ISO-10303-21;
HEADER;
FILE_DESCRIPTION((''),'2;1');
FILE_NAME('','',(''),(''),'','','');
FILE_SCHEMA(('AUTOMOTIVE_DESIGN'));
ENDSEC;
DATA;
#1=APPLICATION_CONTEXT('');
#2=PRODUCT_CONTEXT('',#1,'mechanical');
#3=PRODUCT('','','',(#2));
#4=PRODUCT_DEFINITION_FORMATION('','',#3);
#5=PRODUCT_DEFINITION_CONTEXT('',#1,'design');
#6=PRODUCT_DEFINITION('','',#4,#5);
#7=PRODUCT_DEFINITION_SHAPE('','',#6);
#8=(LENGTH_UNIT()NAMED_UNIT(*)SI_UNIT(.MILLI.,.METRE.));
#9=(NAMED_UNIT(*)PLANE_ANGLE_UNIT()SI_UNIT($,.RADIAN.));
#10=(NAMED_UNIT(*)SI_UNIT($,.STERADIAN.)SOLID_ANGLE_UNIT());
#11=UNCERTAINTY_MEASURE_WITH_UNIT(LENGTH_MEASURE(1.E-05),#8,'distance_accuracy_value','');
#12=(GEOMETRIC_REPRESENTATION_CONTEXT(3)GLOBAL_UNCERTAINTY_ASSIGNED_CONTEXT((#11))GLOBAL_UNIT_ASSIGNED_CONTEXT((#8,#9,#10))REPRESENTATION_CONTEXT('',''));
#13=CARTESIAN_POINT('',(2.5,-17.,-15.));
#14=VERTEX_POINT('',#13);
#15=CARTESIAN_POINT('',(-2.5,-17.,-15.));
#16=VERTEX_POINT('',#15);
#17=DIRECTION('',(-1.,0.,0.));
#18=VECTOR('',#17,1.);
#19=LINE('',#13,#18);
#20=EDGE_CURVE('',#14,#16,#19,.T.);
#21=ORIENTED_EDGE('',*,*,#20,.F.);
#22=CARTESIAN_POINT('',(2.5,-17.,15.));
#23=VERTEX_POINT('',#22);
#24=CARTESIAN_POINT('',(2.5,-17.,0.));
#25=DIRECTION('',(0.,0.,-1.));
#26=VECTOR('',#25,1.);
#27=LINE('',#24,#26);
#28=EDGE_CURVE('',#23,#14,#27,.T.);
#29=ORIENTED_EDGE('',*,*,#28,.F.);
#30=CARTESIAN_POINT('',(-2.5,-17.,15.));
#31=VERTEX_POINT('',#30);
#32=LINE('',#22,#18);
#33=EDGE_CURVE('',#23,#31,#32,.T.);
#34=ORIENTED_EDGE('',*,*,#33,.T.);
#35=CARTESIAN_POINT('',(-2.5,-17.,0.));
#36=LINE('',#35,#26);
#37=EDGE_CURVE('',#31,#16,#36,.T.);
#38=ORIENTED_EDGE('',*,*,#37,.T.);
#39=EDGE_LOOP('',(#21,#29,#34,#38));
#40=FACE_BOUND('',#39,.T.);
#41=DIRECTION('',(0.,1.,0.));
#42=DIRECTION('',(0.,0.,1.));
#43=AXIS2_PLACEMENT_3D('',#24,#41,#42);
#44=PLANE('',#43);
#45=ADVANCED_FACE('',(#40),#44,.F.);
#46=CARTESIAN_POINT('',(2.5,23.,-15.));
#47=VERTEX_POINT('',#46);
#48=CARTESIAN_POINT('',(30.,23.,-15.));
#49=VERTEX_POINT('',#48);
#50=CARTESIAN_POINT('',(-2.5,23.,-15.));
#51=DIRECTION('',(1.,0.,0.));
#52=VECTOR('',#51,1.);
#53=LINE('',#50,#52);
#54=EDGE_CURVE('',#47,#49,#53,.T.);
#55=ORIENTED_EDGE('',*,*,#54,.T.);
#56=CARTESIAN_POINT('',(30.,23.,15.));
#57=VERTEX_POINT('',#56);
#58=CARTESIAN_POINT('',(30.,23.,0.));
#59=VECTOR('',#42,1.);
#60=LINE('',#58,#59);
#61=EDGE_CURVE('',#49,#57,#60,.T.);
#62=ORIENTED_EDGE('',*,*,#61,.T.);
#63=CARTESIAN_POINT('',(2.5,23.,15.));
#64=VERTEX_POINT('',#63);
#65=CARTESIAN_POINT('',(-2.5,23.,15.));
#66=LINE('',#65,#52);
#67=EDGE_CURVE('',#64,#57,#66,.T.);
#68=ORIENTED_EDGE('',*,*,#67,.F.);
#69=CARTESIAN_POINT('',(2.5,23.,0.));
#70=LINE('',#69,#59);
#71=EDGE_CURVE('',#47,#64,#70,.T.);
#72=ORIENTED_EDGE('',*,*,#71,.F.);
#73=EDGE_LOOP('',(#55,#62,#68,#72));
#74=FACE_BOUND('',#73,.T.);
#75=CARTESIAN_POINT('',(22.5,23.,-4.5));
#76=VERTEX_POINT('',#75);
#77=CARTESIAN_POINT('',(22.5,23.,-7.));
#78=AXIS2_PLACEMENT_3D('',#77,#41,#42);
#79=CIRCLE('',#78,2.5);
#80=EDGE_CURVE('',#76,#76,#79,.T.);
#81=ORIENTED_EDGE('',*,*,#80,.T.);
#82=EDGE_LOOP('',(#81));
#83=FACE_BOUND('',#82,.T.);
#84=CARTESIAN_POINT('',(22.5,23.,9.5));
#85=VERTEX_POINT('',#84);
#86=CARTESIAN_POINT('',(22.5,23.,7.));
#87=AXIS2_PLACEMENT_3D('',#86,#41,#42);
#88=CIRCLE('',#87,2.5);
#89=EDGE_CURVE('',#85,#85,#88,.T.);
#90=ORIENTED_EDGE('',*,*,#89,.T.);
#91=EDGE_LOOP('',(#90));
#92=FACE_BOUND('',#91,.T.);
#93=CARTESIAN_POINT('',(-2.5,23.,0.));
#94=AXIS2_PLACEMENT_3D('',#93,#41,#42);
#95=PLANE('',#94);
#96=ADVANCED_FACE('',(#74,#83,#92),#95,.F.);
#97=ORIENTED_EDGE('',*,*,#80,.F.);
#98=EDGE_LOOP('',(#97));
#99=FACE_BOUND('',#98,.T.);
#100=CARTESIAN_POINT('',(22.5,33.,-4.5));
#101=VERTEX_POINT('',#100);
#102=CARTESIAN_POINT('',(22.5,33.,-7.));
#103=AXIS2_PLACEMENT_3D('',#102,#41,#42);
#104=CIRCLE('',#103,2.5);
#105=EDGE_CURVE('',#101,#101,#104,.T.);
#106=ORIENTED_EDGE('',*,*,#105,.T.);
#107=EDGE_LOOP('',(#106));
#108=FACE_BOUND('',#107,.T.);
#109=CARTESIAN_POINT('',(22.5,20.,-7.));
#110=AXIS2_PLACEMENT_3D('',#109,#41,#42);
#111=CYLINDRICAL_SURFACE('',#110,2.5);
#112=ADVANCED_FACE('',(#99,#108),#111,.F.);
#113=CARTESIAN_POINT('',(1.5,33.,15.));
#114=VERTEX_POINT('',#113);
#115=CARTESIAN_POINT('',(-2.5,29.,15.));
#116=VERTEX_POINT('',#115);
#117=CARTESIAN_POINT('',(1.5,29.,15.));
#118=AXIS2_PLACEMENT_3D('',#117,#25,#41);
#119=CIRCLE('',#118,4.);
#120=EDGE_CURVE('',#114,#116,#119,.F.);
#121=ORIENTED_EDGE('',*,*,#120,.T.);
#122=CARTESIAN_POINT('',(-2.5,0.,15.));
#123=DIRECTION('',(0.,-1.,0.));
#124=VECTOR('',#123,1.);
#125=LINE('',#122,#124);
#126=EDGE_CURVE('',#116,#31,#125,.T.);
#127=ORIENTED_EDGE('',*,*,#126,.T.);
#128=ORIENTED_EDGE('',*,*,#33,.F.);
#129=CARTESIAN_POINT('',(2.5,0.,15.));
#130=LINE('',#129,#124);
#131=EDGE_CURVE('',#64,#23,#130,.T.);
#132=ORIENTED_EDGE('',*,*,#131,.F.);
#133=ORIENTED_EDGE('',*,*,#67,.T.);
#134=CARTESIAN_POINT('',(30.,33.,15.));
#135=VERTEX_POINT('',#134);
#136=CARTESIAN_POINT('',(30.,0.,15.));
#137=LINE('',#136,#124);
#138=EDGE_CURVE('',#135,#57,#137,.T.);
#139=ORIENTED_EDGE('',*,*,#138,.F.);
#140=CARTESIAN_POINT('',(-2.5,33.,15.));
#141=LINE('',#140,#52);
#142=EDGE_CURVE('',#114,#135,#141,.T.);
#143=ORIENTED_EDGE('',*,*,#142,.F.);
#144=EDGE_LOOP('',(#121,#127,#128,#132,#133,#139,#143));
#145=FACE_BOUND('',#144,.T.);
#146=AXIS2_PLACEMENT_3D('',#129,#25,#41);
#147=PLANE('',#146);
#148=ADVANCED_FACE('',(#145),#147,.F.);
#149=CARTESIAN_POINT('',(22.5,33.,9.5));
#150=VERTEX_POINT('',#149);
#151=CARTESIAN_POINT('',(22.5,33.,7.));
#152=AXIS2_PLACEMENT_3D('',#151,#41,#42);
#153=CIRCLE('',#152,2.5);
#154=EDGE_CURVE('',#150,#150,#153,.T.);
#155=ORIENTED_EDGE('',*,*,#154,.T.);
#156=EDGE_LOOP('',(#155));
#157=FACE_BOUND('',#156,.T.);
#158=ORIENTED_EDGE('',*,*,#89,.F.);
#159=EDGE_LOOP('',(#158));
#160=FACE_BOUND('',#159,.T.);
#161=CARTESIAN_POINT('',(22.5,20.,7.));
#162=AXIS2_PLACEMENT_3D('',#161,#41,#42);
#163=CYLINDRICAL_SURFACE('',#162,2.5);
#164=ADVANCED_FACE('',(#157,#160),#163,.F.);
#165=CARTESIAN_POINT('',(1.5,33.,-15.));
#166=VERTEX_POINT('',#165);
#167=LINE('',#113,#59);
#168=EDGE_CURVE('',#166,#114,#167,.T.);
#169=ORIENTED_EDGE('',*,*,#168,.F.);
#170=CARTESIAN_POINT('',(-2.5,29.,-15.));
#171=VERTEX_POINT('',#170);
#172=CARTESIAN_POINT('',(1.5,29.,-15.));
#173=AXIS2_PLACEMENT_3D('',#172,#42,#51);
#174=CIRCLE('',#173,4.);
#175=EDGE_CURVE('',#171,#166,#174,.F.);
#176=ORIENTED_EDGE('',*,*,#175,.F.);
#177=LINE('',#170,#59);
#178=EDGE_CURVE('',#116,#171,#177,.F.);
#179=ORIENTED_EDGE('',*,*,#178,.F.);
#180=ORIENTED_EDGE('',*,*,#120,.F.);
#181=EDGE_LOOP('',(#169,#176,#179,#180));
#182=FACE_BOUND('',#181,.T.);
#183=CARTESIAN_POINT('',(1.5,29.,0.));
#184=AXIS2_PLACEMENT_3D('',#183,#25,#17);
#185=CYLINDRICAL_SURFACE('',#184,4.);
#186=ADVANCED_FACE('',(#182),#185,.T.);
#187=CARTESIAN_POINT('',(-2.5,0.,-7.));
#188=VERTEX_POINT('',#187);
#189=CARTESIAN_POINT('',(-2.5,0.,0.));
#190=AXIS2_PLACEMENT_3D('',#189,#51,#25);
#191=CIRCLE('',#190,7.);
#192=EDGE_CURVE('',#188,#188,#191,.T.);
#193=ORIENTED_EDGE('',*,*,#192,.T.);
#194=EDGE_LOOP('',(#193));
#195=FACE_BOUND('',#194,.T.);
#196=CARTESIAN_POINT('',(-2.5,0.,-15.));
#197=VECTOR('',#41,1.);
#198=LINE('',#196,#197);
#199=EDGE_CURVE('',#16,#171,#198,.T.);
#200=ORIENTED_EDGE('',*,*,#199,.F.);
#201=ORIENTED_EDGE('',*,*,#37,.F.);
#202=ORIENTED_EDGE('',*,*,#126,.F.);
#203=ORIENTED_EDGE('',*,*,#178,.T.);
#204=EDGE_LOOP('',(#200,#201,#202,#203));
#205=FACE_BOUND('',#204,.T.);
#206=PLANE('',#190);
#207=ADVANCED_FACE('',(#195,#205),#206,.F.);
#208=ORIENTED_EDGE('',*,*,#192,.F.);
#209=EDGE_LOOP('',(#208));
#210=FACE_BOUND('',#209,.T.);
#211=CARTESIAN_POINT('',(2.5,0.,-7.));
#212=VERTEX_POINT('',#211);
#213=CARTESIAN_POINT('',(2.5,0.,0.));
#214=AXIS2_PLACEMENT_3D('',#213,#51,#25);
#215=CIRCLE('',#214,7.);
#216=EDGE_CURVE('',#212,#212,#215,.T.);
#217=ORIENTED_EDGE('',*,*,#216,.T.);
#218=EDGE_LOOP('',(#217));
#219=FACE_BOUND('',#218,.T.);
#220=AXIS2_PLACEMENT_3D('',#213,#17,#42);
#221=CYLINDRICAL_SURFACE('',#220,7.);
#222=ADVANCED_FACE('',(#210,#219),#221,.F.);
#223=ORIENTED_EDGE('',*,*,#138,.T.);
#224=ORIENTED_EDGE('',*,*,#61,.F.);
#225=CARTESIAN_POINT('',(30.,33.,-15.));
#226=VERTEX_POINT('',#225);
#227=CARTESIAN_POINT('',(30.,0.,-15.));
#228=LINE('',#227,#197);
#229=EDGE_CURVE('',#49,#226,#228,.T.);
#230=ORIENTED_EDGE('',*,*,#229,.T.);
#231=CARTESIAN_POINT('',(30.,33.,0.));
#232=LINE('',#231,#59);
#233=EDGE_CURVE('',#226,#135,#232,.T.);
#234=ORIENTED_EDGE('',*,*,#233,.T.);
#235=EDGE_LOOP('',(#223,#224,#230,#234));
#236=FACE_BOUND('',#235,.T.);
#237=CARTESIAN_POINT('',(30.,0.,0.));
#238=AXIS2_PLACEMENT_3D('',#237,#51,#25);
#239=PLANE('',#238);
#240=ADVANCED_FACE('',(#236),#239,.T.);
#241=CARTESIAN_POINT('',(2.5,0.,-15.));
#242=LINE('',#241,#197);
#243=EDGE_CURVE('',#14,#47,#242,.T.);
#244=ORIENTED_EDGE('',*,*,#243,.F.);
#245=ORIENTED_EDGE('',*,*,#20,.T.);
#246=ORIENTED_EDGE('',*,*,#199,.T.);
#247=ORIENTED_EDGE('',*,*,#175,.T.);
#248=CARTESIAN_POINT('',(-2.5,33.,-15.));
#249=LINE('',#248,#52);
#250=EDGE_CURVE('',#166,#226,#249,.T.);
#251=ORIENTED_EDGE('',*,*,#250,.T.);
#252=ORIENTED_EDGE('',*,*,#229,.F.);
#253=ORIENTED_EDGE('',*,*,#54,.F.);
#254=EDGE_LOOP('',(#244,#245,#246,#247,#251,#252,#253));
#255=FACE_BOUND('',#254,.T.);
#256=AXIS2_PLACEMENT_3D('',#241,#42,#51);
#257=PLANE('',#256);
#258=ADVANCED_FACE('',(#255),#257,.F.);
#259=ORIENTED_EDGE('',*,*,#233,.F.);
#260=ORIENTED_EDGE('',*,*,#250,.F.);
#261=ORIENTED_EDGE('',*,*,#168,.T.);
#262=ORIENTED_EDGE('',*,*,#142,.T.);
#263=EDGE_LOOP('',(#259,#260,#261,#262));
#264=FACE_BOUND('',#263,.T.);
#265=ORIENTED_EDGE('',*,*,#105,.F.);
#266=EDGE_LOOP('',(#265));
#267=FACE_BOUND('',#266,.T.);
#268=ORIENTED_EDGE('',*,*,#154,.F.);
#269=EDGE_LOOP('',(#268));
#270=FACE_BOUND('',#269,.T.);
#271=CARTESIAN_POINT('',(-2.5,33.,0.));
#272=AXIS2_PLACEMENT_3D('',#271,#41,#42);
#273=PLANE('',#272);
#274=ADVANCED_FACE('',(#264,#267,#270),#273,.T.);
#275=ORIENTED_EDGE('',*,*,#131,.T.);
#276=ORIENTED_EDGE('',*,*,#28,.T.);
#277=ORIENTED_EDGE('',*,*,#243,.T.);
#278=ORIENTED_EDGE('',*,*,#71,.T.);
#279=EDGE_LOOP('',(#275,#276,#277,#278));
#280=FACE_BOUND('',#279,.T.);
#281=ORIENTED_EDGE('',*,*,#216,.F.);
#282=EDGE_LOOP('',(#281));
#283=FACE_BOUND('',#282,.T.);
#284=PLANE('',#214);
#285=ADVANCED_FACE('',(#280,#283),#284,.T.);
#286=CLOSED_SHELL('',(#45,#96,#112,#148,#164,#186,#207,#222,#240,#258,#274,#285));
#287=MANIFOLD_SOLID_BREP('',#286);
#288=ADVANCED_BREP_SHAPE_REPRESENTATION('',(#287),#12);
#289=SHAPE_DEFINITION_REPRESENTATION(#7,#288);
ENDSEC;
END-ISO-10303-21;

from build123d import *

# Parameters (mm, degrees)
SKETCH1_W                = 30
SKETCH1_H                = 40
SKETCH1_R                = 7
BOSS_EXTRUDE2_DEPTH      = 2.5
BOSS_EXTRUDE3_DEPTH      = 30
BOSS_EXTRUDE3_DEPTH_BACK = 2.5
SKETCH1_7_W              = 30
SKETCH1_7_H              = 10
SKETCH2_R                = 2.5
CUT_EXTRUDE1_DEPTH       = 13
FILLET1_R                = 4


with BuildPart() as part:
    # Sketch1 → Boss-Extrude2 (new, symmetric)
    with BuildSketch(Plane(origin=(0, 0, 0), x_dir=(0, 0, -1), z_dir=(1, 0, 0))):
        with Locations((0, 3)):
            Rectangle(SKETCH1_W, SKETCH1_H)
        Circle(SKETCH1_R, mode=Mode.SUBTRACT)
    extrude(amount=BOSS_EXTRUDE2_DEPTH, both=True)

    # Sketch1<7> → Boss-Extrude3 (add, two sides: drawn at the far end of the back side and taken through both)
    with BuildSketch(Plane(origin=(0, 0, 0), x_dir=(0, 0, -1), z_dir=(1, 0, 0)).offset(-BOSS_EXTRUDE3_DEPTH_BACK)):
        with Locations((0, 28)):
            Rectangle(SKETCH1_7_W, SKETCH1_7_H)
    extrude(amount=BOSS_EXTRUDE3_DEPTH + BOSS_EXTRUDE3_DEPTH_BACK)

    # Sketch2 → Cut-Extrude1 (cut)
    with BuildSketch(Plane(origin=(0, 33, 0), x_dir=(1, 0, 0), z_dir=(0, 1, 0))):
        with Locations((22.5, -7)):
            Circle(SKETCH2_R)
        with Locations((22.5, 7)):
            Circle(SKETCH2_R)
    extrude(amount=-CUT_EXTRUDE1_DEPTH, mode=Mode.SUBTRACT)

    # Fillet1
    fillet1_edges = [part.edges().sort_by_distance(p)[0] for p in [
        (-2.5, 33, 0),
    ]]
    fillet(fillet1_edges, radius=FILLET1_R)


solid = part.part
